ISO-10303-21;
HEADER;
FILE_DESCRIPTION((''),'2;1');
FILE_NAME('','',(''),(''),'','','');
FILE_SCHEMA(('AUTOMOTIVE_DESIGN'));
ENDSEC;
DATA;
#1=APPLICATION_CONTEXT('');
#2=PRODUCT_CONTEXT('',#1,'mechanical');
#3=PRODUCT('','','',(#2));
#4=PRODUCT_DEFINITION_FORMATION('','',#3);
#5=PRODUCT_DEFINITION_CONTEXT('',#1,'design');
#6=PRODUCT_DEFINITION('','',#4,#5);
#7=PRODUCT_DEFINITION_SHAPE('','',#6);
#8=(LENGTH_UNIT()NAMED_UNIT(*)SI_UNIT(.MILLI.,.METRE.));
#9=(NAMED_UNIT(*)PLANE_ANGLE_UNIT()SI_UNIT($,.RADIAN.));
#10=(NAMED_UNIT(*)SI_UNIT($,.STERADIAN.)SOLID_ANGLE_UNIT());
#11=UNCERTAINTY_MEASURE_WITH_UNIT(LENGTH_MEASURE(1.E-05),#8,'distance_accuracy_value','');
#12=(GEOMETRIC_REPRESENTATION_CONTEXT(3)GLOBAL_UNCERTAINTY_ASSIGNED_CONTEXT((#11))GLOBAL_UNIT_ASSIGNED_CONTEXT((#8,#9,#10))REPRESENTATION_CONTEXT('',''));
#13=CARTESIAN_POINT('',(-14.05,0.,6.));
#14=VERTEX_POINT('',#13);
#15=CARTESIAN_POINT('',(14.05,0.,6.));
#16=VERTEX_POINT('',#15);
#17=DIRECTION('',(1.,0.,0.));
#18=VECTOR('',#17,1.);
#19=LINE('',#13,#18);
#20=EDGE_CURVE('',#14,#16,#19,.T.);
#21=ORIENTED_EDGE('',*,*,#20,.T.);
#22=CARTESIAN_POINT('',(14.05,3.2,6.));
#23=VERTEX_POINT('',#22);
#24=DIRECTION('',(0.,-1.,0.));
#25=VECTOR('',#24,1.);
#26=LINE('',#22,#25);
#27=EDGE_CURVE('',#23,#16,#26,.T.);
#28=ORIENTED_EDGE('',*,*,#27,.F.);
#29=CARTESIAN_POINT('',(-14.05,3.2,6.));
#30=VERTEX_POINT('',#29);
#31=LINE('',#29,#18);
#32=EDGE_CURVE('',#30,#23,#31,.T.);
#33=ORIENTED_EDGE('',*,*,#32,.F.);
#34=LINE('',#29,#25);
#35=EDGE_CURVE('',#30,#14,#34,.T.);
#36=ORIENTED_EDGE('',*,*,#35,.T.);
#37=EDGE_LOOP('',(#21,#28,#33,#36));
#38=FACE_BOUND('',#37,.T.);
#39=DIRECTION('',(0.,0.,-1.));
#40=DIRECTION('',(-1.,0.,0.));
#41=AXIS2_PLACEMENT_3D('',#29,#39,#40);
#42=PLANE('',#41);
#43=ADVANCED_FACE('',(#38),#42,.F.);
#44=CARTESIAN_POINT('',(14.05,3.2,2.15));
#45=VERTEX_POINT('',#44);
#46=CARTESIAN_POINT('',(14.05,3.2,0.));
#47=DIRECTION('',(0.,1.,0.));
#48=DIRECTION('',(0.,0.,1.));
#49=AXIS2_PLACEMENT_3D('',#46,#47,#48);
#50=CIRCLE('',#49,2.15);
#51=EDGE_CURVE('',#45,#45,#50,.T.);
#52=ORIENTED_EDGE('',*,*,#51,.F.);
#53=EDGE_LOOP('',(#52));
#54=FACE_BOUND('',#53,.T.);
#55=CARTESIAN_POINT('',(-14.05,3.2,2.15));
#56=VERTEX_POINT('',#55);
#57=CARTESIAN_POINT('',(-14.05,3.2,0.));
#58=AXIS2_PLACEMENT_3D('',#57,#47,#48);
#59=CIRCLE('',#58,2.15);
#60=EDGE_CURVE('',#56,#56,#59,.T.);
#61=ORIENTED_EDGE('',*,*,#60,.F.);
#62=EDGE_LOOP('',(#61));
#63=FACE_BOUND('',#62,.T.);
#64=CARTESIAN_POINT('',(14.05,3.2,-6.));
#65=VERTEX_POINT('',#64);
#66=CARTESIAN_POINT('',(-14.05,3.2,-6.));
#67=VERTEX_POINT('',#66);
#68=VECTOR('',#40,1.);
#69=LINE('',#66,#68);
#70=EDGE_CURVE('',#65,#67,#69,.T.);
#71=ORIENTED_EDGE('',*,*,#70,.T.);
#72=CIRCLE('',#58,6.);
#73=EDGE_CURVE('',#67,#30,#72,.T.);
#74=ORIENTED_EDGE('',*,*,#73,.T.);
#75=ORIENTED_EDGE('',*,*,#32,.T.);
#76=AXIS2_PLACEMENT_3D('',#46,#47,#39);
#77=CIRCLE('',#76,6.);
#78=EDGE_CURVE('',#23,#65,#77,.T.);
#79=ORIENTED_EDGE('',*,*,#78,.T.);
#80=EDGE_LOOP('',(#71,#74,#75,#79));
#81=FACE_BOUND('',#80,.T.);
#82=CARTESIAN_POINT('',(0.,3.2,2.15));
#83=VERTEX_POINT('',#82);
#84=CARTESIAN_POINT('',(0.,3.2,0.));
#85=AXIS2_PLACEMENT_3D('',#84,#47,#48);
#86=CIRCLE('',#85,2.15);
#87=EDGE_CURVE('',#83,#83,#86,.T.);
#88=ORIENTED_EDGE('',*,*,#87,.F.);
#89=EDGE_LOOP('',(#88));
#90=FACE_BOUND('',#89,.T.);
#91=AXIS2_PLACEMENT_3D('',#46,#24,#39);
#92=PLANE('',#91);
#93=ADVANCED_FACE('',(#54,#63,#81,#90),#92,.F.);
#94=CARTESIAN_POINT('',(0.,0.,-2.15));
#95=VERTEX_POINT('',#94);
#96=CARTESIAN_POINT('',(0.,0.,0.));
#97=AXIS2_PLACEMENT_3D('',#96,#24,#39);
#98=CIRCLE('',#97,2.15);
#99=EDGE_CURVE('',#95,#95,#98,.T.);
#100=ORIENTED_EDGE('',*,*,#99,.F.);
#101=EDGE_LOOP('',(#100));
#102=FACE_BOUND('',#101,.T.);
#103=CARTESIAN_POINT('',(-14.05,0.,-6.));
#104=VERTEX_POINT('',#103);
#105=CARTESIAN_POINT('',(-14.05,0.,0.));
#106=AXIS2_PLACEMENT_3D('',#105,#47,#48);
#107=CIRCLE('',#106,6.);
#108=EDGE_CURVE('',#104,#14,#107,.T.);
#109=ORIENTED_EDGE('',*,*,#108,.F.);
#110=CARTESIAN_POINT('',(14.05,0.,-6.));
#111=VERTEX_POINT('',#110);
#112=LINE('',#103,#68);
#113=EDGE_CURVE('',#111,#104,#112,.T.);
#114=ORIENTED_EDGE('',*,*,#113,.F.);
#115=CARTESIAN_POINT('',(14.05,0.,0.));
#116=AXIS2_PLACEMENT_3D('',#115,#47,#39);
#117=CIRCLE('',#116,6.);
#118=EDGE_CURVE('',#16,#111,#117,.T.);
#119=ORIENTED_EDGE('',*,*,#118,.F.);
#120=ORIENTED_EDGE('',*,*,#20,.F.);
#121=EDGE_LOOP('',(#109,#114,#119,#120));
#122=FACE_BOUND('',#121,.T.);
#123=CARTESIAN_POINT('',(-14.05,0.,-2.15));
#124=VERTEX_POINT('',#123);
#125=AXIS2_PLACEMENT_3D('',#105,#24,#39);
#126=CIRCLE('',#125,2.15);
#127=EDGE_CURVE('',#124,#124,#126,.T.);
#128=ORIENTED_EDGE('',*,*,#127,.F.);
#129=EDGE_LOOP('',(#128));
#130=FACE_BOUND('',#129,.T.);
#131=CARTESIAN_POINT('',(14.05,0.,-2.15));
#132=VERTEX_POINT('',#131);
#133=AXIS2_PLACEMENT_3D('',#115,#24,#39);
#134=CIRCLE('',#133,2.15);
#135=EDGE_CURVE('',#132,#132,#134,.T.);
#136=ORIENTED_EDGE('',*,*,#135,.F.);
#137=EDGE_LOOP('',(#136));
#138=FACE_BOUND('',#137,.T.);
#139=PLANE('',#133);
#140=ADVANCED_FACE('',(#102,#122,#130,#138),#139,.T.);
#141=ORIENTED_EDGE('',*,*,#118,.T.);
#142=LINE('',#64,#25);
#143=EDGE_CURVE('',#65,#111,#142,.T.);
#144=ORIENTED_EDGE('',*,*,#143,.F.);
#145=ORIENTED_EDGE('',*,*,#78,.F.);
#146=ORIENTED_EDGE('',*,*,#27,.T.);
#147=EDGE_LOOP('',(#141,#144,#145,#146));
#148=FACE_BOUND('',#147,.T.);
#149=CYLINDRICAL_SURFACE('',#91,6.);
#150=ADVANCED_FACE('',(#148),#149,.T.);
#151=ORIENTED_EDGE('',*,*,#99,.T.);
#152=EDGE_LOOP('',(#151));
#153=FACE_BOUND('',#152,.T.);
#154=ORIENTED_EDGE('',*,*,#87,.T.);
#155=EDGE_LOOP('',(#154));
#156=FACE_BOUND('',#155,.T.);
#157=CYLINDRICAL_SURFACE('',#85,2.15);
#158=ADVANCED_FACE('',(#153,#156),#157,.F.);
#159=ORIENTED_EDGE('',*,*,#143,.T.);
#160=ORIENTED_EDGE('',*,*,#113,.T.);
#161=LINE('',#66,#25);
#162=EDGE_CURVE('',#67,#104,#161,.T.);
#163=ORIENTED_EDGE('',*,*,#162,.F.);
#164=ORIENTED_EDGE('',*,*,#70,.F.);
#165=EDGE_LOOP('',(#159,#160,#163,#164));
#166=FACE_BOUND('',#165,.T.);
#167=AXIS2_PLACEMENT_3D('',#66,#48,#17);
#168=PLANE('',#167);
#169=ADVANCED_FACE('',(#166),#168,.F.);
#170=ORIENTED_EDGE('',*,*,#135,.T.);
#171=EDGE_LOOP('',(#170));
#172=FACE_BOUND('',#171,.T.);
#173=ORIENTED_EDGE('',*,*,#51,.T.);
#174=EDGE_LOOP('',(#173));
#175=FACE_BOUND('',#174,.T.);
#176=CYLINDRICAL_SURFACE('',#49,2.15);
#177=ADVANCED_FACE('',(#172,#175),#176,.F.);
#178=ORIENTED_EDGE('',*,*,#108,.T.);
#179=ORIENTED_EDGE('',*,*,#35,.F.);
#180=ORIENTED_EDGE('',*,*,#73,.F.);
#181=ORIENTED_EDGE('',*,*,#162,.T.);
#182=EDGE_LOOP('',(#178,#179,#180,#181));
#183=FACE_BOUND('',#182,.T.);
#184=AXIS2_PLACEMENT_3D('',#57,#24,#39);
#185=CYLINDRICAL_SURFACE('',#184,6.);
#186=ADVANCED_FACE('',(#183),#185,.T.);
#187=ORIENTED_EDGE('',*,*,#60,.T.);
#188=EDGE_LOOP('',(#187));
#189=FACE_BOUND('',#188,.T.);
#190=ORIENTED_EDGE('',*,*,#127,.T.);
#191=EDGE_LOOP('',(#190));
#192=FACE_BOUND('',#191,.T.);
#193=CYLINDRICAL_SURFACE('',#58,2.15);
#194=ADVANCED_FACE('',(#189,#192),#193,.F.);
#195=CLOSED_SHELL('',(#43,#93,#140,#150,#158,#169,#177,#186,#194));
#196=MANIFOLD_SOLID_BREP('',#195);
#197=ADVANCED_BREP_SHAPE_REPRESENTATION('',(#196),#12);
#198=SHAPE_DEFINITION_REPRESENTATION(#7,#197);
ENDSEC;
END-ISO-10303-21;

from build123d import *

# Parameters (mm, degrees)
BOSS_EXTRUDE2_DEPTH  = 3.2
M4_CLEARANCE_HOLE4_D = 4.3


with BuildPart() as part:
    # Sketch3 → Boss-Extrude2 (new body)
    with BuildSketch(Plane(origin=(0, 0, 0), x_dir=(1, 0, 0), z_dir=(0, 1, 0))):
        with BuildLine():
            Line((-14.05, 6), (14.05, 6))
            ThreePointArc((14.05, 6), (20.05, 0), (14.05, -6))
            Line((14.05, -6), (-14.05, -6))
            ThreePointArc((-14.05, -6), (-20.05, 0), (-14.05, 6))
        make_face()
    extrude(amount=BOSS_EXTRUDE2_DEPTH)

    # M4 Clearance Hole4 (through all)
    with Locations(Plane(origin=(0, 3.2, 0), x_dir=(1, 0, 0), z_dir=(0, 1, 0))):
        with Locations((0, 0), (14.05, 0), (-14.05, 0)):
            Hole(M4_CLEARANCE_HOLE4_D / 2)


solid = part.part
